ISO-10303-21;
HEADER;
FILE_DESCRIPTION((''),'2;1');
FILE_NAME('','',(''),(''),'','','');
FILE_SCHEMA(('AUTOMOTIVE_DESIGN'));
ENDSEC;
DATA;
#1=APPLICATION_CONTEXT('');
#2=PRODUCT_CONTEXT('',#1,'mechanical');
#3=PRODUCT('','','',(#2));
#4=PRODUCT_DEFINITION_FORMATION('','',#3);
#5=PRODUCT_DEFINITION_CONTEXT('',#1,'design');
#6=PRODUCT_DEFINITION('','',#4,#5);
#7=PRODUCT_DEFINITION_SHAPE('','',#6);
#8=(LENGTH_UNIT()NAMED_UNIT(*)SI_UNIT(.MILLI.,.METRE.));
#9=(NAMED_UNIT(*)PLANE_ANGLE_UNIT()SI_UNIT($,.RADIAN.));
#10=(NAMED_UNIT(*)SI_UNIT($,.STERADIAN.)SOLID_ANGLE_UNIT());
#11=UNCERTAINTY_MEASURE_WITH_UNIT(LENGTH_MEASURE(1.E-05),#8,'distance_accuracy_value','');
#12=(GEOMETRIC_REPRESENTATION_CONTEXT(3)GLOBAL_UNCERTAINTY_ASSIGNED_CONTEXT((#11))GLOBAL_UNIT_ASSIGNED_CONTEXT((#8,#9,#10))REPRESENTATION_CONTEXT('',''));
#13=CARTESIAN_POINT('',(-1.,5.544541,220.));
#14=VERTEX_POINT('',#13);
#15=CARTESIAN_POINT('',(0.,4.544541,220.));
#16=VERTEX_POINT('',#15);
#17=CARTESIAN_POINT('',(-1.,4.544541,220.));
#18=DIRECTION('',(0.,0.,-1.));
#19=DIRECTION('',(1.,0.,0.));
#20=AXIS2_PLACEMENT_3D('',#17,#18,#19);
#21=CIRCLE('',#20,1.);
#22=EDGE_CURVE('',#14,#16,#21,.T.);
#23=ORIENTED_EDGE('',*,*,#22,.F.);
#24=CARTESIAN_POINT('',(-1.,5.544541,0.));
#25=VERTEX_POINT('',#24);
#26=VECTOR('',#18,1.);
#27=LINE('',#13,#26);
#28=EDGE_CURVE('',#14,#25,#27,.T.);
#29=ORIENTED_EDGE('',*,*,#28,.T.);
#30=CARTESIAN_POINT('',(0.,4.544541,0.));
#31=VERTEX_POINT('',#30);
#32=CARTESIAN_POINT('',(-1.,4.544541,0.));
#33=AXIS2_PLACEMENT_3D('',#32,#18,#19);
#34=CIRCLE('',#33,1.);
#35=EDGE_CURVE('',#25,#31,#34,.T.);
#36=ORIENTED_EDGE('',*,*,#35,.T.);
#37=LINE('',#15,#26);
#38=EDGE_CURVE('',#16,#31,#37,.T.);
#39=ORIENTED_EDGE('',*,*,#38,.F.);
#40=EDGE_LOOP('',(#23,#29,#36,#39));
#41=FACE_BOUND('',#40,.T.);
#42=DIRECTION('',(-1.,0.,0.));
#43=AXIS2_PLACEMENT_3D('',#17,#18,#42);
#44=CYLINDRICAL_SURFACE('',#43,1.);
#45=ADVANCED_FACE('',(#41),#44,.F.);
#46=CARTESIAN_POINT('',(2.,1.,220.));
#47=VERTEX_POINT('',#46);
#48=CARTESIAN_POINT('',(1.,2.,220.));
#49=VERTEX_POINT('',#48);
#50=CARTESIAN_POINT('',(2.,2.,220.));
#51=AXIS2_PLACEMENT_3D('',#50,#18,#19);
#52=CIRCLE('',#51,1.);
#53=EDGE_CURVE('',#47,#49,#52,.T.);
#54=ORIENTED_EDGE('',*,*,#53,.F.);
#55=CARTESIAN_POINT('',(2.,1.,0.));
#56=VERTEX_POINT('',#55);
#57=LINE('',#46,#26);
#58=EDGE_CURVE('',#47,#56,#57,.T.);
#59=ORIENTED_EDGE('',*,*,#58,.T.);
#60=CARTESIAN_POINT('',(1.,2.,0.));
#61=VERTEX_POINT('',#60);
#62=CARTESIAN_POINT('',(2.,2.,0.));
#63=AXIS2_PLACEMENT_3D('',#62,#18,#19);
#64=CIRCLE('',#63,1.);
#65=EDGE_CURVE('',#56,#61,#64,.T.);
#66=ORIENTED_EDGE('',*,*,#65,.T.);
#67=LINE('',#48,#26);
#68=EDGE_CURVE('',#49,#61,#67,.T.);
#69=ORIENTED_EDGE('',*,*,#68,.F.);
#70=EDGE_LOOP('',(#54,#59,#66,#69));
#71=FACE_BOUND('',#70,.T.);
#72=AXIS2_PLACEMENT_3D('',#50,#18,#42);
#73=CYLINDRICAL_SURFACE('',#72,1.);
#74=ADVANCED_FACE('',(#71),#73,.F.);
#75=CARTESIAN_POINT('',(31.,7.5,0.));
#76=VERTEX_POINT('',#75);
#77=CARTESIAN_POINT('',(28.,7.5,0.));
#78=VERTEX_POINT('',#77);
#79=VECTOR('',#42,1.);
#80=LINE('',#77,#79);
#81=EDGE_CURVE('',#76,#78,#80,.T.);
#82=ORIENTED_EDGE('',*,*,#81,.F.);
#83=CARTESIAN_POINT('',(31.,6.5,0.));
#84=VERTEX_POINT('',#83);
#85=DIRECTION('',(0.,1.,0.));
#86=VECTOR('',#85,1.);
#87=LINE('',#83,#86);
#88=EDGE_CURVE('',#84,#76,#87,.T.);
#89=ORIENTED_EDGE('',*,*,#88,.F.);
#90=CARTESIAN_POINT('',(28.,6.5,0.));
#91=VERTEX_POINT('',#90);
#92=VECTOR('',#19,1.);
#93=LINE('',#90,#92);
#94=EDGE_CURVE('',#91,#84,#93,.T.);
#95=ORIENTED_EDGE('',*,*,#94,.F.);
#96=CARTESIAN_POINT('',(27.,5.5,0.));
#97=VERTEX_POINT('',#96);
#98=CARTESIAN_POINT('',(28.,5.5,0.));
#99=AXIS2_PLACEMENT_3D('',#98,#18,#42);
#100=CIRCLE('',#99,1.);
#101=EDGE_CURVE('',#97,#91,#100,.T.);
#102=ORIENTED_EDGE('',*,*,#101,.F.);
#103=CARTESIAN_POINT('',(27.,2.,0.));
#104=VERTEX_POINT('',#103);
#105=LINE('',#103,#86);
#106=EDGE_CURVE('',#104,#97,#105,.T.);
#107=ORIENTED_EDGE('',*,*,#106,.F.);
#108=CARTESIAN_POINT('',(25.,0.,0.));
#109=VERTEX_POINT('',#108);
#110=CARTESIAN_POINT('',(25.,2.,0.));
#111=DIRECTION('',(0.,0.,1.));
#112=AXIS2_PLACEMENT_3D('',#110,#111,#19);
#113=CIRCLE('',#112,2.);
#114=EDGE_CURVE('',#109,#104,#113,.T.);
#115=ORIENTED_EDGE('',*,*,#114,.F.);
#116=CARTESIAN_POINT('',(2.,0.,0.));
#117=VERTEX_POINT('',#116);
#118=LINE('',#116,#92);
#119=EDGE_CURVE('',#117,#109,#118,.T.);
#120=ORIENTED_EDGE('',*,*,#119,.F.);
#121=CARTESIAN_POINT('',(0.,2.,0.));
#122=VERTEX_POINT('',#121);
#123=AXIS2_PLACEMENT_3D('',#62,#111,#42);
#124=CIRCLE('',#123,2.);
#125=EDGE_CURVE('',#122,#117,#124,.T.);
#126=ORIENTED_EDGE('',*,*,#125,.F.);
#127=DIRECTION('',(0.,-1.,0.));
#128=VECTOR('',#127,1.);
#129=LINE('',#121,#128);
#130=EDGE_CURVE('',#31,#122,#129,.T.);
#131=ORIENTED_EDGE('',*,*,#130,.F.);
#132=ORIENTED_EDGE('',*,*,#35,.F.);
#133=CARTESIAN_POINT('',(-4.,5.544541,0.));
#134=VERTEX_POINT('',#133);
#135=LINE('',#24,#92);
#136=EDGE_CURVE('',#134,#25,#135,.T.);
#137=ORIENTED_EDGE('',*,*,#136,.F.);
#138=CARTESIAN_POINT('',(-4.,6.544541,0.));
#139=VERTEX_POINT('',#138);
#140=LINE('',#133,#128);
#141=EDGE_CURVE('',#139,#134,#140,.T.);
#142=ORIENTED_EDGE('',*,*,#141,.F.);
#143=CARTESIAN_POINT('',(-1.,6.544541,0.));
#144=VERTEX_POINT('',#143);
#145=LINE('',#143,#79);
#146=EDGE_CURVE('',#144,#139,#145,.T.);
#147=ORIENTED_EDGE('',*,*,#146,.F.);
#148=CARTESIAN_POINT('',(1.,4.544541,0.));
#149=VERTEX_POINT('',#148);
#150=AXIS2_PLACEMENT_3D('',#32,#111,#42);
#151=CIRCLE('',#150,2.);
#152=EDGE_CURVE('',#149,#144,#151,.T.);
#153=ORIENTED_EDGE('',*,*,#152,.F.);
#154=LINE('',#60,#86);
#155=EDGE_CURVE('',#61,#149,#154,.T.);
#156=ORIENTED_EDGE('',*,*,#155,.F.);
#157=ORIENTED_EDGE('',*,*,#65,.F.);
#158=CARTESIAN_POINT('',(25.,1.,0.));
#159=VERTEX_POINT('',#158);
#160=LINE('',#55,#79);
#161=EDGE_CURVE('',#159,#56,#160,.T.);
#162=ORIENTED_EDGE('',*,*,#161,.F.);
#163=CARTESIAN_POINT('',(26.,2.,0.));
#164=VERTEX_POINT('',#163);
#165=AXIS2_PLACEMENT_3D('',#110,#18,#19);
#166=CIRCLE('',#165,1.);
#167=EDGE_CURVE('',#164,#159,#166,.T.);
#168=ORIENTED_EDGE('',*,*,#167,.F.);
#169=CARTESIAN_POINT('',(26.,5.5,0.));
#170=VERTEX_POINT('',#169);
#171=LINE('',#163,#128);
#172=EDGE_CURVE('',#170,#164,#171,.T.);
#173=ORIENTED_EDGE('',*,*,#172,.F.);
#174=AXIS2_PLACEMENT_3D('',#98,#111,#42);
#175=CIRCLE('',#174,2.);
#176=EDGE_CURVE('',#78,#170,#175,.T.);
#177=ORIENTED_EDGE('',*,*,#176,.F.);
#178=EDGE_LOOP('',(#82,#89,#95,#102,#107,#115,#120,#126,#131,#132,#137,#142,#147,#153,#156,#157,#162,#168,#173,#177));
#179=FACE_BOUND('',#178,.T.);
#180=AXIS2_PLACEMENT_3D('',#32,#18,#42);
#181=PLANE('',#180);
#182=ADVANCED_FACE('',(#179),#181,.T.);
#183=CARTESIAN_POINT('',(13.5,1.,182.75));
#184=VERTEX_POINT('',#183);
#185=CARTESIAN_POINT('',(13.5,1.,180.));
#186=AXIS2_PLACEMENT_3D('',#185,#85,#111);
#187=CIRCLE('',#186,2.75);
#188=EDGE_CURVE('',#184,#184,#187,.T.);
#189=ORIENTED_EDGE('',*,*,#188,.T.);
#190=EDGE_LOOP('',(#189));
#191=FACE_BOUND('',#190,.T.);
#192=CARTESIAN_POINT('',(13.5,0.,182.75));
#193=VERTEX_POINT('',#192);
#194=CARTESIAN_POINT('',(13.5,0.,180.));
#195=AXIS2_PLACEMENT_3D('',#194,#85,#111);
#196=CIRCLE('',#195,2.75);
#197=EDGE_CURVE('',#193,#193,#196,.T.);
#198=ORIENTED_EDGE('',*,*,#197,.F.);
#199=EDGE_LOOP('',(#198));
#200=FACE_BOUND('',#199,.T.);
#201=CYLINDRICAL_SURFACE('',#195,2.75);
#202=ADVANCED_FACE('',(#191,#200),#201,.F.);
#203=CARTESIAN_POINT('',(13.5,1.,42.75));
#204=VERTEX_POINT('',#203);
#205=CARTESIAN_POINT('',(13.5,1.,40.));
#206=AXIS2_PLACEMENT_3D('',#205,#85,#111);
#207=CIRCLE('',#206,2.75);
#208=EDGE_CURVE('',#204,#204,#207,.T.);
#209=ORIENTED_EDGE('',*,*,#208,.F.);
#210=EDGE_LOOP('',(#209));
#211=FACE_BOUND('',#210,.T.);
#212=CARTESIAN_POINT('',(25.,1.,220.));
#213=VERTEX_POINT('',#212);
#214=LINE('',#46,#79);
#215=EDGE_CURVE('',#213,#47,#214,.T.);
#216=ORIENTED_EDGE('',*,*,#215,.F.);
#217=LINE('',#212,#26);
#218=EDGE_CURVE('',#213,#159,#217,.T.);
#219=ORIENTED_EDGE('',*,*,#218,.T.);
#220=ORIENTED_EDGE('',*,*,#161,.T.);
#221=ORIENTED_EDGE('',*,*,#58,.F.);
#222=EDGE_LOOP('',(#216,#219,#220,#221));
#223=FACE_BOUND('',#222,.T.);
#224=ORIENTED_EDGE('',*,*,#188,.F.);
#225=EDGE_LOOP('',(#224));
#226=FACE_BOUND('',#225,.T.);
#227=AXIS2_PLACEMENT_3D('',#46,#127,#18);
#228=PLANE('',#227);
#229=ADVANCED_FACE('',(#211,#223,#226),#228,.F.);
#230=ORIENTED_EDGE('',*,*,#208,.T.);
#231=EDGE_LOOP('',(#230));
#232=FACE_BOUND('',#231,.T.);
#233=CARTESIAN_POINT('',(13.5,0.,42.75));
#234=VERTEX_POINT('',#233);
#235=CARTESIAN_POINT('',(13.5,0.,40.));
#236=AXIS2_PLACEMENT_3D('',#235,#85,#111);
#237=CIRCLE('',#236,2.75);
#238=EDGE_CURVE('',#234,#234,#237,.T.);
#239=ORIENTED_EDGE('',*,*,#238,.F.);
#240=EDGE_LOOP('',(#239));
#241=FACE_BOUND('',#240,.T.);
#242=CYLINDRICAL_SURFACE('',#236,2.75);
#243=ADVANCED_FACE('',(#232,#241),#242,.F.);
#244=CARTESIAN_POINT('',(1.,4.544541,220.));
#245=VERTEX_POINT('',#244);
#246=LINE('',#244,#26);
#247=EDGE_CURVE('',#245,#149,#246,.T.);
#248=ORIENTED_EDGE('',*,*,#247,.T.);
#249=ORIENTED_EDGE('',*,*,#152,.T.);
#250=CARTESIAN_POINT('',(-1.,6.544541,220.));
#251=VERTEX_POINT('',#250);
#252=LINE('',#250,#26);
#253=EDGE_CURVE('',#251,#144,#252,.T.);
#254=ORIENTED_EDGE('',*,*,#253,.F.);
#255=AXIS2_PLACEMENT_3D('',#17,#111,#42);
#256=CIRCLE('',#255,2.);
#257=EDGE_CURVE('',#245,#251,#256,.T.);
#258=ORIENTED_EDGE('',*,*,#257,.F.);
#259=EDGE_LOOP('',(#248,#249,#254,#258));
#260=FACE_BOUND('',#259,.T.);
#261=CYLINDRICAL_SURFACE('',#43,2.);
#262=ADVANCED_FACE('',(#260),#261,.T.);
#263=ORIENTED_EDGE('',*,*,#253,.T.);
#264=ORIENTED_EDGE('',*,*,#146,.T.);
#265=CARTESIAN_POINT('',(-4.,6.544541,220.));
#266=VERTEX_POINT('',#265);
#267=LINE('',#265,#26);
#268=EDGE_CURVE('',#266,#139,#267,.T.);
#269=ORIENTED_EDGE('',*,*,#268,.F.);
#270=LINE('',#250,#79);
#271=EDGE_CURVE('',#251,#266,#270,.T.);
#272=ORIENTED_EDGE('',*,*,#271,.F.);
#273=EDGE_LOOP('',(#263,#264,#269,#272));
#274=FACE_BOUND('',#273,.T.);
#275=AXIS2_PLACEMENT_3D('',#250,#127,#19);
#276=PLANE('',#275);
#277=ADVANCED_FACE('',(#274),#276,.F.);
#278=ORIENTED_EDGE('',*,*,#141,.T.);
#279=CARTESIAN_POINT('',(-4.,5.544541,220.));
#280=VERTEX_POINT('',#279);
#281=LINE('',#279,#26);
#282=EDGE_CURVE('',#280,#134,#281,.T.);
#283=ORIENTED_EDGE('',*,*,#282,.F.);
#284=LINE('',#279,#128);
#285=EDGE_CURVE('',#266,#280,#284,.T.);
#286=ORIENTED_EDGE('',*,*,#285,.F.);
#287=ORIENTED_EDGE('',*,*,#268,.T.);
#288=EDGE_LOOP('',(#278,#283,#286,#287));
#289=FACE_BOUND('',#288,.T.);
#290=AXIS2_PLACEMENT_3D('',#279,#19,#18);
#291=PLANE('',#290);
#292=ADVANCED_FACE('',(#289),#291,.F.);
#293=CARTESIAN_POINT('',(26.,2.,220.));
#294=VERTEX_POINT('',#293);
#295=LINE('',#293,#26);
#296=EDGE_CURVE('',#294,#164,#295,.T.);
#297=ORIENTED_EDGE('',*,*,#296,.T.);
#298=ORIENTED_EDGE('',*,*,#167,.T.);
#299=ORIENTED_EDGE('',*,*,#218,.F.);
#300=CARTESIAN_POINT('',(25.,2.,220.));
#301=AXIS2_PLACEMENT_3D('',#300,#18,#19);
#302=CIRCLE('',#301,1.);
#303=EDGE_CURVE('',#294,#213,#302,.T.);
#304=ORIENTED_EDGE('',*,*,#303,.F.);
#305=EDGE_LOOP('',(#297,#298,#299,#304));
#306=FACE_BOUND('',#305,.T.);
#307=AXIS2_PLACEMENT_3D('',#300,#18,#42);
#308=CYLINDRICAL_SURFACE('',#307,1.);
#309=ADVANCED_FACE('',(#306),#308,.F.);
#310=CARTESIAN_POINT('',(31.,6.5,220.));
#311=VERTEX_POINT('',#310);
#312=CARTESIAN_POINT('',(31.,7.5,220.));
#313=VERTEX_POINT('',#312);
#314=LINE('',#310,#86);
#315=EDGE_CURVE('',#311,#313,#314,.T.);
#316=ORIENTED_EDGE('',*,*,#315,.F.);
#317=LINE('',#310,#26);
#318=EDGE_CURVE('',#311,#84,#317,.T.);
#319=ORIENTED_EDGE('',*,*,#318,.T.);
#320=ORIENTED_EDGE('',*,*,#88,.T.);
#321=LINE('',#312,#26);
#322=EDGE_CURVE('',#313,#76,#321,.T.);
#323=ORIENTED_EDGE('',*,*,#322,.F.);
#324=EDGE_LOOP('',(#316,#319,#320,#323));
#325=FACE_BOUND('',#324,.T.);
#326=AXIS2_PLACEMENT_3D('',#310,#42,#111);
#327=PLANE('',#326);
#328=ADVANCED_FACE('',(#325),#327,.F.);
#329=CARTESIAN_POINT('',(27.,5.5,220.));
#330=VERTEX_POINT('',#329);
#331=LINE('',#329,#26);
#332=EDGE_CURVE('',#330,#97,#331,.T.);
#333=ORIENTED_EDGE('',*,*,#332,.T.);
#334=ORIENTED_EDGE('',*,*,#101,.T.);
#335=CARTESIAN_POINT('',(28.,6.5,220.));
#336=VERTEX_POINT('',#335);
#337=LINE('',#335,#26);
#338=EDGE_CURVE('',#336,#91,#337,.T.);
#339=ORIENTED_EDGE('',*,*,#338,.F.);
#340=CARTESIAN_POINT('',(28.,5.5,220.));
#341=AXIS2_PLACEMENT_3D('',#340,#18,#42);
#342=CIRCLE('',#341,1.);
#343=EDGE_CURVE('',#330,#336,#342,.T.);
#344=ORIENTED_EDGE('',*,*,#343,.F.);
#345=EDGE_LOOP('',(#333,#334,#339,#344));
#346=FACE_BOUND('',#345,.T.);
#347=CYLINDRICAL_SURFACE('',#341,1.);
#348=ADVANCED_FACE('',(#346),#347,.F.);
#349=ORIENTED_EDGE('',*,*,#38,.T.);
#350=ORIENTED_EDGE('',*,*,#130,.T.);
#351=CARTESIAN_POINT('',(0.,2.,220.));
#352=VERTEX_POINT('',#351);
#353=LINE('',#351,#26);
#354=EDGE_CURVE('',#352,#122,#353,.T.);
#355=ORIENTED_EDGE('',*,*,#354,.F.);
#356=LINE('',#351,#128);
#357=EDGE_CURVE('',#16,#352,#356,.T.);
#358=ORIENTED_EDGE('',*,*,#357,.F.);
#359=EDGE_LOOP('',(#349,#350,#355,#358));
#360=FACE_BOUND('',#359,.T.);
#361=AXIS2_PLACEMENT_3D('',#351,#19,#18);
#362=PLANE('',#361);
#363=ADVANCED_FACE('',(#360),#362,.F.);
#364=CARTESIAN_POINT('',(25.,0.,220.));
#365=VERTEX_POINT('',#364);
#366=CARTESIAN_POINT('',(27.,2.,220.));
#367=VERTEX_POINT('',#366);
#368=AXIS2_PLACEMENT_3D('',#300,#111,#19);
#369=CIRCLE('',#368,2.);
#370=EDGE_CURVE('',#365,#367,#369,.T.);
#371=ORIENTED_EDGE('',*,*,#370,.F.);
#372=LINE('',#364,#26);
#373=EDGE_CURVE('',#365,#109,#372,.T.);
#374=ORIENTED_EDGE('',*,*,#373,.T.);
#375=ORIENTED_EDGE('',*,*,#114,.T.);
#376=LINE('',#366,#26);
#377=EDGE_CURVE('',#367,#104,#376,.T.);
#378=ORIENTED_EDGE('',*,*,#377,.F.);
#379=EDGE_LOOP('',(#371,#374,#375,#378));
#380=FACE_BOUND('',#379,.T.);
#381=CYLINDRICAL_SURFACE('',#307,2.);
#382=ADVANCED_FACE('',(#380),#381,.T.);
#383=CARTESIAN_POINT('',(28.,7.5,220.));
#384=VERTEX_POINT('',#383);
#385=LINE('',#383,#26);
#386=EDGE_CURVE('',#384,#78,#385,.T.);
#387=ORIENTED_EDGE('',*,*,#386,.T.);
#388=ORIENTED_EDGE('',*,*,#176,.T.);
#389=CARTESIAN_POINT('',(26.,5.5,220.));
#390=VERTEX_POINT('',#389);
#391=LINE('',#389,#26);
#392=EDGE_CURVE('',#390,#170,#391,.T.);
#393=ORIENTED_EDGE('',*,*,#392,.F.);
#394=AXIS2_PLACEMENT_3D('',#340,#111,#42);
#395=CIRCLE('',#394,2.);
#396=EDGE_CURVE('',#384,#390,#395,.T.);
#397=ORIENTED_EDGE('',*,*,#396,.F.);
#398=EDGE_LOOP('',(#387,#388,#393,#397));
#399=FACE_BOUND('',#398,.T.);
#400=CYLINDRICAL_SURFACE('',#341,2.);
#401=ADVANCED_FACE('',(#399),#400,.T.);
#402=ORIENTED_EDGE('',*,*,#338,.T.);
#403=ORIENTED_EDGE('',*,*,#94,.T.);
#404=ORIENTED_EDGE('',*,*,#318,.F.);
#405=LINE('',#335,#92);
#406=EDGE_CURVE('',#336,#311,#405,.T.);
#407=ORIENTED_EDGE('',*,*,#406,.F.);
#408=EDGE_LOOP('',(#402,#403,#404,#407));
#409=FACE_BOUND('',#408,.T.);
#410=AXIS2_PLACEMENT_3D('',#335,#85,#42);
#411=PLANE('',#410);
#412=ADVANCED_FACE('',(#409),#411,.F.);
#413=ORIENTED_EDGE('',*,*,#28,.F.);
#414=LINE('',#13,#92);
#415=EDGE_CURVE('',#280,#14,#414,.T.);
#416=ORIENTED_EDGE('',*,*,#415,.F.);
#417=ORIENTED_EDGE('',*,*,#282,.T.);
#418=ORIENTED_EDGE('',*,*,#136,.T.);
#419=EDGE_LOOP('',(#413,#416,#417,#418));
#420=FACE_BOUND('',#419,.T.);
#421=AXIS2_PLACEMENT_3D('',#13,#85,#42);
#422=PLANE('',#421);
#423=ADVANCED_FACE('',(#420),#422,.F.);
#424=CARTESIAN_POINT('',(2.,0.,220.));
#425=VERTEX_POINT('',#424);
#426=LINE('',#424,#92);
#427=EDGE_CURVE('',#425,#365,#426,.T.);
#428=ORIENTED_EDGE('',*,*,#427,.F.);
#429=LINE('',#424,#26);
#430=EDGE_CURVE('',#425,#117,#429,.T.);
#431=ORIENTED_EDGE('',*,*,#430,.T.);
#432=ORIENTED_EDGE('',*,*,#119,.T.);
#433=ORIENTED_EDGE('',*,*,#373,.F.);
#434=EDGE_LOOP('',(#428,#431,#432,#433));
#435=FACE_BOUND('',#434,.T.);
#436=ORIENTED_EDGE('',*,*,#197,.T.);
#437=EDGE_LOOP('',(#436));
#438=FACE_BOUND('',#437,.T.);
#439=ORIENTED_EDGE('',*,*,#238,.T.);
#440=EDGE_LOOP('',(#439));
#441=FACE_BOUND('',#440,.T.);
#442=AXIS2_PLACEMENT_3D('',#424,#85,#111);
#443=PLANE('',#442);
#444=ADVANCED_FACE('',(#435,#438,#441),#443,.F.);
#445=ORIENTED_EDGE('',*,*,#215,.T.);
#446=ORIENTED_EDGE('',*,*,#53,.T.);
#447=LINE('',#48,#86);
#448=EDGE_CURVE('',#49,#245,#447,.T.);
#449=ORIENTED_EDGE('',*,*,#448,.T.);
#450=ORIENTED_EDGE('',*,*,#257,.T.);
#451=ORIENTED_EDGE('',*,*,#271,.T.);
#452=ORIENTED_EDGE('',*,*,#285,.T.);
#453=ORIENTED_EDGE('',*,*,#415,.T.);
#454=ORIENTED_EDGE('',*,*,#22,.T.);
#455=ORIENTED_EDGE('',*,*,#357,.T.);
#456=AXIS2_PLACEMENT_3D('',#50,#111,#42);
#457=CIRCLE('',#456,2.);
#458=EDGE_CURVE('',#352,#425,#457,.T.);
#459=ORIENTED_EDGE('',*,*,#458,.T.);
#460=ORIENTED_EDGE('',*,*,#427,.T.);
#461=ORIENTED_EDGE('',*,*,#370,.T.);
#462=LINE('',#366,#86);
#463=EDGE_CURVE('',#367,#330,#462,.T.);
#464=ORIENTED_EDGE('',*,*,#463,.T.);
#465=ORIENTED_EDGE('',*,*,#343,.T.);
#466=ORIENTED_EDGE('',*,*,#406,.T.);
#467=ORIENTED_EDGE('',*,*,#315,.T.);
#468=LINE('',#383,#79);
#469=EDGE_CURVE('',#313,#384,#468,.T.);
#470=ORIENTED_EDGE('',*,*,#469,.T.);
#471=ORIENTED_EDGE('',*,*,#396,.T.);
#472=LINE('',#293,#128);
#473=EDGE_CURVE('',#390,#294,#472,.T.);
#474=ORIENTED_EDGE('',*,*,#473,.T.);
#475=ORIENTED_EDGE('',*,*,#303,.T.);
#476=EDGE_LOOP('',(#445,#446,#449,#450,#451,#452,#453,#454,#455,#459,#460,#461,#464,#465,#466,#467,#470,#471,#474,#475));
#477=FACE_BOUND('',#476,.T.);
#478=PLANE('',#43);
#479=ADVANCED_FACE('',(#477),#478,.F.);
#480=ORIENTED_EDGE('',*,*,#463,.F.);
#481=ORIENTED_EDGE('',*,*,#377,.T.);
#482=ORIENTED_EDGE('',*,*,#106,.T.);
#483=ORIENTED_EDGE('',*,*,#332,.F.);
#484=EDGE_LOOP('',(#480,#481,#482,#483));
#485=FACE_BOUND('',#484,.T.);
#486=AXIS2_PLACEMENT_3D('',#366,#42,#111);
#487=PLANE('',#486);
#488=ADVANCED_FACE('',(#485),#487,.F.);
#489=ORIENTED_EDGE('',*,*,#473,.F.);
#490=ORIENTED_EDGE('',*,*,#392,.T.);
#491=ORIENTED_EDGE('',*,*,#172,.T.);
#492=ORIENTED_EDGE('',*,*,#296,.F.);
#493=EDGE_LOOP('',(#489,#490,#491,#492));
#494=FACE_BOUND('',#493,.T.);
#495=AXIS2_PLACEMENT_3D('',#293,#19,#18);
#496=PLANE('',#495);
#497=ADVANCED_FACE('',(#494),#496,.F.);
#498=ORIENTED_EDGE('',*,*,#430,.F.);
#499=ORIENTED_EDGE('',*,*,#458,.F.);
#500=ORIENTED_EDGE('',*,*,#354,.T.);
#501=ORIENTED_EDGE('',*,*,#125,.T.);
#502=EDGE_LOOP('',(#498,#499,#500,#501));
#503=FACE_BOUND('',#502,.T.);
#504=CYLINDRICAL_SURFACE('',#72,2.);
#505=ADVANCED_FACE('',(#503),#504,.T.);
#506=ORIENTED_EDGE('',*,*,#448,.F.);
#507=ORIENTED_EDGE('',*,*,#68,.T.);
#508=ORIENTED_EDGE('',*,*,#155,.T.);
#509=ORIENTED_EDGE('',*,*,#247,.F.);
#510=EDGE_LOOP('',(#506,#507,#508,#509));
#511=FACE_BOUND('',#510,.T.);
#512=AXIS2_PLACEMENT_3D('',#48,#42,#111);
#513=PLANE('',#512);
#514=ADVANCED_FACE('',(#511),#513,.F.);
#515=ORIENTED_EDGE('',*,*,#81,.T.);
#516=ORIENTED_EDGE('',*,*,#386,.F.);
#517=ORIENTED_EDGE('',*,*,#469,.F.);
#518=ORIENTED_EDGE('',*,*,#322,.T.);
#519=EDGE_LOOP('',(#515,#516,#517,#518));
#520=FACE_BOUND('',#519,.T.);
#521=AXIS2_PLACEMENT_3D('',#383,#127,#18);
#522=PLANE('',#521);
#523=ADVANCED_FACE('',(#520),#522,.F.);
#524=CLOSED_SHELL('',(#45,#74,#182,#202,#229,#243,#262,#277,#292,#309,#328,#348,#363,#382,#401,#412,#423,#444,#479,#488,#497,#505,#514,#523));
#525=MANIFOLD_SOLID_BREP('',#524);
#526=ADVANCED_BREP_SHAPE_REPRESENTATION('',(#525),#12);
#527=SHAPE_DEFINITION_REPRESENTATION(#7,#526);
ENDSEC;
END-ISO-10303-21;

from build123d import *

# Parameters (mm, degrees)
BOSS_EXTRUDE1_DEPTH = 220
SKETCH2_R           = 2.75
CUT_EXTRUDE1_DEPTH  = 1


with BuildPart() as part:
    # Sketch1 → Boss-Extrude1 (new body)
    with BuildSketch(Plane.XY):
        with BuildLine():
            Line((2, 0), (25, 0))
            ThreePointArc((25, 0), (26.414213562, 0.585786438), (27, 2))
            Line((27, 2), (27, 5.5))
            ThreePointArc((27, 5.5), (27.292893219, 6.207106781), (28, 6.5))
            Line((28, 6.5), (31, 6.5))
            Line((31, 6.5), (31, 7.5))
            Line((31, 7.5), (28, 7.5))
            ThreePointArc((28, 7.5), (26.585786438, 6.914213562), (26, 5.5))
            Line((26, 5.5), (26, 2))
            ThreePointArc((26, 2), (25.707106781, 1.292893219), (25, 1))
            Line((25, 1), (2, 1))
            ThreePointArc((2, 1), (1.292893219, 1.292893219), (1, 2))
            Line((1, 2), (1, 4.544540718))
            ThreePointArc((1, 4.544540718), (0.414213562, 5.95875428), (-1, 6.544540718))
            Line((-1, 6.544540718), (-4, 6.544540718))
            Line((-4, 6.544540718), (-4, 5.544540718))
            Line((-4, 5.544540718), (-1, 5.544540718))
            ThreePointArc((-1, 5.544540718), (-0.292893219, 5.251647499), (0, 4.544540718))
            Line((0, 4.544540718), (0, 2))
            ThreePointArc((0, 2), (0.585786438, 0.585786438), (2, 0))
        make_face()
    extrude(amount=BOSS_EXTRUDE1_DEPTH)

    # Sketch2 → Cut-Extrude1 (cut)
    with BuildSketch(Plane(origin=(0, 1, 0), x_dir=(1, 0, 0), z_dir=(0, 1, 0))):
        with Locations(Location((13.5, -40, 0), (0, 0, 270))):
            Circle(SKETCH2_R)
        with Locations(Location((13.5, -180, 0), (0, 0, 270))):
            Circle(SKETCH2_R)
    extrude(amount=-CUT_EXTRUDE1_DEPTH, mode=Mode.SUBTRACT)


solid = part.part
